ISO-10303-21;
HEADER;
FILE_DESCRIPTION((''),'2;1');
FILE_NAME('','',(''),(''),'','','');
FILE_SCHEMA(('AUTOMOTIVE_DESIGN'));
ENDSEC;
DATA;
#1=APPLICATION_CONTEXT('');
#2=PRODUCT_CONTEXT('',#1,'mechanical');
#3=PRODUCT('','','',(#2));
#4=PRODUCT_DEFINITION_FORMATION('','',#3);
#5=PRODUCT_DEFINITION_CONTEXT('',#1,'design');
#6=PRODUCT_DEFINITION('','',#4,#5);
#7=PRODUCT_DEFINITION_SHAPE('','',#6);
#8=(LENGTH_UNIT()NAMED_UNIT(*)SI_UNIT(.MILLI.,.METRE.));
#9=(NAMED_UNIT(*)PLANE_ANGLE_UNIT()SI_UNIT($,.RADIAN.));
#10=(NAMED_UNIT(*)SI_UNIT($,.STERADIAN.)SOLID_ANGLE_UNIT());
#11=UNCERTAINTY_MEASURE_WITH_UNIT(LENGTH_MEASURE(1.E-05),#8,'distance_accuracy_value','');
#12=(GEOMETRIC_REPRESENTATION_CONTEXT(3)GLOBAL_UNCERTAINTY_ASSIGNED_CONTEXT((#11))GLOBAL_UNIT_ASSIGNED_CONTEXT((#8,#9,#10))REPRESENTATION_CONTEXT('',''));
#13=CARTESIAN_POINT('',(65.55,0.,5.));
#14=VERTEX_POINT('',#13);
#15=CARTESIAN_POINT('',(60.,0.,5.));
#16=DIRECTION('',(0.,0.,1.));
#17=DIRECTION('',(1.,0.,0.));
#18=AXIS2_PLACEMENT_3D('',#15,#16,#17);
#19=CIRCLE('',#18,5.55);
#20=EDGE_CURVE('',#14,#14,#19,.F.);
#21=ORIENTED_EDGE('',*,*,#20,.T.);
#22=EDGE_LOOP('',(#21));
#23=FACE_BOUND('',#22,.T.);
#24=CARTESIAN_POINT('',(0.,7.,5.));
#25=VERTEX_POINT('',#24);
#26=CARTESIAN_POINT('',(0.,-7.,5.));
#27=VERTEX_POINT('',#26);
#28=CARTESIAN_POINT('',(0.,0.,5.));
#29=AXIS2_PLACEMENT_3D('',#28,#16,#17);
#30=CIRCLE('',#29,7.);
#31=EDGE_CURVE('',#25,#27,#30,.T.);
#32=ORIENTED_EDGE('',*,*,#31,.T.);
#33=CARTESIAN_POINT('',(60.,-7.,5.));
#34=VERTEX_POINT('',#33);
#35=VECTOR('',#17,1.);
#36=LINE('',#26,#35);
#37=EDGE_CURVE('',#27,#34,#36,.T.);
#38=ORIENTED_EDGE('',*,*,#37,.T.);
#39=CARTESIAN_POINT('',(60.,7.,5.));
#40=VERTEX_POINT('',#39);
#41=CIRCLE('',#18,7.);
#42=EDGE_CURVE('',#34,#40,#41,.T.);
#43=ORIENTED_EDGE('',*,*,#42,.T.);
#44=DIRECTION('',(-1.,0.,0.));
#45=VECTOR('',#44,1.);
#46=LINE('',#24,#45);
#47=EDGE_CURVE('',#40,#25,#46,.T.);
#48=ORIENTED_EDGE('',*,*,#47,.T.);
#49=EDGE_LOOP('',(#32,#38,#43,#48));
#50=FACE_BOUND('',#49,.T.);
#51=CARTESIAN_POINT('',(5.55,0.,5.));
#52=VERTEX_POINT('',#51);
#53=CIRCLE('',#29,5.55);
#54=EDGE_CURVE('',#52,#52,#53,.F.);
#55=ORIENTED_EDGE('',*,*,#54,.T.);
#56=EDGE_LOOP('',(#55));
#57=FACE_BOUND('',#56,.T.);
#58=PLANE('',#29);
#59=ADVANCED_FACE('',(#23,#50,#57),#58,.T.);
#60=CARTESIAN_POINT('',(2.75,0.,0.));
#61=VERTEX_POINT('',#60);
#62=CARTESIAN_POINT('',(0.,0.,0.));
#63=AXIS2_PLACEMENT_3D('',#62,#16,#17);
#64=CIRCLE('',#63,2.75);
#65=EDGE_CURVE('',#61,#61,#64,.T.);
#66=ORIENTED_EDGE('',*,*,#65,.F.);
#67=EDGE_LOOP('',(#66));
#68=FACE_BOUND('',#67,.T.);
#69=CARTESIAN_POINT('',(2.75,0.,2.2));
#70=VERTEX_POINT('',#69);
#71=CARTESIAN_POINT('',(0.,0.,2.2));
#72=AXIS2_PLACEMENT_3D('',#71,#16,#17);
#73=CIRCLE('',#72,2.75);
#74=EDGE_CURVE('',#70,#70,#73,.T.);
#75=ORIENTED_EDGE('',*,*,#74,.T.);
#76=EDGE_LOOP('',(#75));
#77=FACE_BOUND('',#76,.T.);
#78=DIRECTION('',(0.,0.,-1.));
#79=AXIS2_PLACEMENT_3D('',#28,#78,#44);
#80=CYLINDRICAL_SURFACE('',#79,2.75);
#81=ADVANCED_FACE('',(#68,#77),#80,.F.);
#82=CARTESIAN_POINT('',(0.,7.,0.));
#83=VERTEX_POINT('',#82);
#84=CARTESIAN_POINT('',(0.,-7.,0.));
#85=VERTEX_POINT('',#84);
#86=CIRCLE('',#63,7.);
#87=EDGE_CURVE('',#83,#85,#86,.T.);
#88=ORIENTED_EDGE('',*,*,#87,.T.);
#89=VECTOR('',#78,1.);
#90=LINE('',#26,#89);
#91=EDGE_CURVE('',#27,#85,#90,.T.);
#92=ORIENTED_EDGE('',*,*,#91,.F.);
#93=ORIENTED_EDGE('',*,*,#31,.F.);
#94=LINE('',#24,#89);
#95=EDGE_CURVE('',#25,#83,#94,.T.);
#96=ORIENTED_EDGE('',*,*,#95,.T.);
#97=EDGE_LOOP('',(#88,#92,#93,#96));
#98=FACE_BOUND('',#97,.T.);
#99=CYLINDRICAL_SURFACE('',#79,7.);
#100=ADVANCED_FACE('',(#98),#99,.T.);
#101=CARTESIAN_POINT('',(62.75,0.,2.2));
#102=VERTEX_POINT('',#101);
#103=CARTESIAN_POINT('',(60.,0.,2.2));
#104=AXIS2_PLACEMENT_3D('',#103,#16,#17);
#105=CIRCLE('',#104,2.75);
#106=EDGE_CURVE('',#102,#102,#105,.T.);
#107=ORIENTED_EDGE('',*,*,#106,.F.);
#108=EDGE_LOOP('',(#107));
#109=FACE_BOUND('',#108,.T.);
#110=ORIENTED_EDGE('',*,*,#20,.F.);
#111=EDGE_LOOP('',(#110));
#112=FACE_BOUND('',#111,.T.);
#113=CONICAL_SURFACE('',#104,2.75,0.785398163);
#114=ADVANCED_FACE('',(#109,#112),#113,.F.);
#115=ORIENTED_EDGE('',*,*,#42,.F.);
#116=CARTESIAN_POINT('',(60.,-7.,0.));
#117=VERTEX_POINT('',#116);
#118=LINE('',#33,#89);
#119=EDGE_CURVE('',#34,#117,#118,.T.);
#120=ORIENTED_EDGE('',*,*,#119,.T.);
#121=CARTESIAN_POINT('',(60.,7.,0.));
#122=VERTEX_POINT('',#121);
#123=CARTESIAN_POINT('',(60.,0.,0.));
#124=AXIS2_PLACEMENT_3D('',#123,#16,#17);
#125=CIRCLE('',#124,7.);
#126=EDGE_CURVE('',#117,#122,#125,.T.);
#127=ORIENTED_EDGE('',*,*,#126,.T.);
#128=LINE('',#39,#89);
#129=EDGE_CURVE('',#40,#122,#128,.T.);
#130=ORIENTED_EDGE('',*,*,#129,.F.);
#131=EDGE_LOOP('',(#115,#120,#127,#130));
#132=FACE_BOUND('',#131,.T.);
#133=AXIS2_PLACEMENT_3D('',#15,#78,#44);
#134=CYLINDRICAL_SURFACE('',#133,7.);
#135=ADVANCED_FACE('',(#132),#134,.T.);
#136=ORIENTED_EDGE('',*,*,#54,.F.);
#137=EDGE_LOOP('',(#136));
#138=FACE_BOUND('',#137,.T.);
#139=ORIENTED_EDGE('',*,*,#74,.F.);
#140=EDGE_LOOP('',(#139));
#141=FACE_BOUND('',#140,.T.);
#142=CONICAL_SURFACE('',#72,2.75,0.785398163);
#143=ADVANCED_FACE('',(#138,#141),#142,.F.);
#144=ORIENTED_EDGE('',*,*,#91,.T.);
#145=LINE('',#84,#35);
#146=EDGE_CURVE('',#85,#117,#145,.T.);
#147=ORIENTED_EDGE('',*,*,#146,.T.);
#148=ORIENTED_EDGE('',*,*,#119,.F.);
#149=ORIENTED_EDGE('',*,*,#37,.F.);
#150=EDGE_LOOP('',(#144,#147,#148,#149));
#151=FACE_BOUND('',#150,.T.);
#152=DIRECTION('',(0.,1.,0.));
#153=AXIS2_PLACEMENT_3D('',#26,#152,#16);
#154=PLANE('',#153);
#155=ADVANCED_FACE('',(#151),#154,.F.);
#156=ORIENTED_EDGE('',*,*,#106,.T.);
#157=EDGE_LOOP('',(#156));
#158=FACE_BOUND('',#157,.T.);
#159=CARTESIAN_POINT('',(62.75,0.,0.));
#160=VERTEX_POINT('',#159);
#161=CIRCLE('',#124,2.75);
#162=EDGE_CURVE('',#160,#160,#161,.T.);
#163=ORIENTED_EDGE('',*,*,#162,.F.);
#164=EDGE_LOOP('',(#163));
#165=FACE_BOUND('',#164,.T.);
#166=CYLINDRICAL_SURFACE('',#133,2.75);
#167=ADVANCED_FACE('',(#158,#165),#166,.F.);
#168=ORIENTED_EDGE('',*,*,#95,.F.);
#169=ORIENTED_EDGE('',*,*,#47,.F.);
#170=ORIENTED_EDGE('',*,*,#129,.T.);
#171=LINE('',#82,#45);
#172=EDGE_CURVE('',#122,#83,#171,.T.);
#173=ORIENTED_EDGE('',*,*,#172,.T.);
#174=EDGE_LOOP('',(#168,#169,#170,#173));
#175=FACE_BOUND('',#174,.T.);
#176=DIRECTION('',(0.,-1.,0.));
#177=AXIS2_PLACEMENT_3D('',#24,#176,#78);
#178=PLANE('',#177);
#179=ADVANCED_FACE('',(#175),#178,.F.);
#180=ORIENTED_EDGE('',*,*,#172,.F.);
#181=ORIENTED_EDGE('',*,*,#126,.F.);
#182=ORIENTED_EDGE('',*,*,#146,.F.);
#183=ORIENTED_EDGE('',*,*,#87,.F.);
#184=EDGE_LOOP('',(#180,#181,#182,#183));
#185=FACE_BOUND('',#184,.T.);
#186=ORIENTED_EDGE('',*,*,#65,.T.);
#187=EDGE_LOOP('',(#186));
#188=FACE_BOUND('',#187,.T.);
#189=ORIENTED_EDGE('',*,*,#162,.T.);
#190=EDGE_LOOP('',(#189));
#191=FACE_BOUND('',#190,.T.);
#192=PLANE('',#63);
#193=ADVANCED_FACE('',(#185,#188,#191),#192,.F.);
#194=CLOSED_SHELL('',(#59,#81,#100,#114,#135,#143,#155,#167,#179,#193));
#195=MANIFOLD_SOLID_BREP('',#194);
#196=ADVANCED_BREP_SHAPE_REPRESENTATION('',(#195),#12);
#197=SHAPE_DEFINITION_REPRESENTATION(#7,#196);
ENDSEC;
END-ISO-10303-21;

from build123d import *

# Parameters (mm, degrees)
ESQUISSE1_R        = 2.75
BOSS_EXTRU_1_DEPTH = 5
CHANFREIN1_SIZE    = 2.8


with BuildPart() as part:
    # Esquisse1 → Boss.-Extru.1 (new body)
    with BuildSketch(Plane.XY):
        with BuildLine():
            Line((0, 7), (60, 7))
            ThreePointArc((60, 7), (67, 0), (60, -7))
            Line((60, -7), (0, -7))
            ThreePointArc((0, -7), (-7, 0), (0, 7))
        make_face()
        with Locations((60, 0)):
            Circle(ESQUISSE1_R, mode=Mode.SUBTRACT)
        Circle(ESQUISSE1_R, mode=Mode.SUBTRACT)
    extrude(amount=BOSS_EXTRU_1_DEPTH)

    # Chanfrein1
    chanfrein1_edges = [part.edges().sort_by_distance(p)[0] for p in [
        (57.25, 0, 5),
        (-2.75, 0, 5),
    ]]
    chamfer(chanfrein1_edges, length=CHANFREIN1_SIZE)


solid = part.part
